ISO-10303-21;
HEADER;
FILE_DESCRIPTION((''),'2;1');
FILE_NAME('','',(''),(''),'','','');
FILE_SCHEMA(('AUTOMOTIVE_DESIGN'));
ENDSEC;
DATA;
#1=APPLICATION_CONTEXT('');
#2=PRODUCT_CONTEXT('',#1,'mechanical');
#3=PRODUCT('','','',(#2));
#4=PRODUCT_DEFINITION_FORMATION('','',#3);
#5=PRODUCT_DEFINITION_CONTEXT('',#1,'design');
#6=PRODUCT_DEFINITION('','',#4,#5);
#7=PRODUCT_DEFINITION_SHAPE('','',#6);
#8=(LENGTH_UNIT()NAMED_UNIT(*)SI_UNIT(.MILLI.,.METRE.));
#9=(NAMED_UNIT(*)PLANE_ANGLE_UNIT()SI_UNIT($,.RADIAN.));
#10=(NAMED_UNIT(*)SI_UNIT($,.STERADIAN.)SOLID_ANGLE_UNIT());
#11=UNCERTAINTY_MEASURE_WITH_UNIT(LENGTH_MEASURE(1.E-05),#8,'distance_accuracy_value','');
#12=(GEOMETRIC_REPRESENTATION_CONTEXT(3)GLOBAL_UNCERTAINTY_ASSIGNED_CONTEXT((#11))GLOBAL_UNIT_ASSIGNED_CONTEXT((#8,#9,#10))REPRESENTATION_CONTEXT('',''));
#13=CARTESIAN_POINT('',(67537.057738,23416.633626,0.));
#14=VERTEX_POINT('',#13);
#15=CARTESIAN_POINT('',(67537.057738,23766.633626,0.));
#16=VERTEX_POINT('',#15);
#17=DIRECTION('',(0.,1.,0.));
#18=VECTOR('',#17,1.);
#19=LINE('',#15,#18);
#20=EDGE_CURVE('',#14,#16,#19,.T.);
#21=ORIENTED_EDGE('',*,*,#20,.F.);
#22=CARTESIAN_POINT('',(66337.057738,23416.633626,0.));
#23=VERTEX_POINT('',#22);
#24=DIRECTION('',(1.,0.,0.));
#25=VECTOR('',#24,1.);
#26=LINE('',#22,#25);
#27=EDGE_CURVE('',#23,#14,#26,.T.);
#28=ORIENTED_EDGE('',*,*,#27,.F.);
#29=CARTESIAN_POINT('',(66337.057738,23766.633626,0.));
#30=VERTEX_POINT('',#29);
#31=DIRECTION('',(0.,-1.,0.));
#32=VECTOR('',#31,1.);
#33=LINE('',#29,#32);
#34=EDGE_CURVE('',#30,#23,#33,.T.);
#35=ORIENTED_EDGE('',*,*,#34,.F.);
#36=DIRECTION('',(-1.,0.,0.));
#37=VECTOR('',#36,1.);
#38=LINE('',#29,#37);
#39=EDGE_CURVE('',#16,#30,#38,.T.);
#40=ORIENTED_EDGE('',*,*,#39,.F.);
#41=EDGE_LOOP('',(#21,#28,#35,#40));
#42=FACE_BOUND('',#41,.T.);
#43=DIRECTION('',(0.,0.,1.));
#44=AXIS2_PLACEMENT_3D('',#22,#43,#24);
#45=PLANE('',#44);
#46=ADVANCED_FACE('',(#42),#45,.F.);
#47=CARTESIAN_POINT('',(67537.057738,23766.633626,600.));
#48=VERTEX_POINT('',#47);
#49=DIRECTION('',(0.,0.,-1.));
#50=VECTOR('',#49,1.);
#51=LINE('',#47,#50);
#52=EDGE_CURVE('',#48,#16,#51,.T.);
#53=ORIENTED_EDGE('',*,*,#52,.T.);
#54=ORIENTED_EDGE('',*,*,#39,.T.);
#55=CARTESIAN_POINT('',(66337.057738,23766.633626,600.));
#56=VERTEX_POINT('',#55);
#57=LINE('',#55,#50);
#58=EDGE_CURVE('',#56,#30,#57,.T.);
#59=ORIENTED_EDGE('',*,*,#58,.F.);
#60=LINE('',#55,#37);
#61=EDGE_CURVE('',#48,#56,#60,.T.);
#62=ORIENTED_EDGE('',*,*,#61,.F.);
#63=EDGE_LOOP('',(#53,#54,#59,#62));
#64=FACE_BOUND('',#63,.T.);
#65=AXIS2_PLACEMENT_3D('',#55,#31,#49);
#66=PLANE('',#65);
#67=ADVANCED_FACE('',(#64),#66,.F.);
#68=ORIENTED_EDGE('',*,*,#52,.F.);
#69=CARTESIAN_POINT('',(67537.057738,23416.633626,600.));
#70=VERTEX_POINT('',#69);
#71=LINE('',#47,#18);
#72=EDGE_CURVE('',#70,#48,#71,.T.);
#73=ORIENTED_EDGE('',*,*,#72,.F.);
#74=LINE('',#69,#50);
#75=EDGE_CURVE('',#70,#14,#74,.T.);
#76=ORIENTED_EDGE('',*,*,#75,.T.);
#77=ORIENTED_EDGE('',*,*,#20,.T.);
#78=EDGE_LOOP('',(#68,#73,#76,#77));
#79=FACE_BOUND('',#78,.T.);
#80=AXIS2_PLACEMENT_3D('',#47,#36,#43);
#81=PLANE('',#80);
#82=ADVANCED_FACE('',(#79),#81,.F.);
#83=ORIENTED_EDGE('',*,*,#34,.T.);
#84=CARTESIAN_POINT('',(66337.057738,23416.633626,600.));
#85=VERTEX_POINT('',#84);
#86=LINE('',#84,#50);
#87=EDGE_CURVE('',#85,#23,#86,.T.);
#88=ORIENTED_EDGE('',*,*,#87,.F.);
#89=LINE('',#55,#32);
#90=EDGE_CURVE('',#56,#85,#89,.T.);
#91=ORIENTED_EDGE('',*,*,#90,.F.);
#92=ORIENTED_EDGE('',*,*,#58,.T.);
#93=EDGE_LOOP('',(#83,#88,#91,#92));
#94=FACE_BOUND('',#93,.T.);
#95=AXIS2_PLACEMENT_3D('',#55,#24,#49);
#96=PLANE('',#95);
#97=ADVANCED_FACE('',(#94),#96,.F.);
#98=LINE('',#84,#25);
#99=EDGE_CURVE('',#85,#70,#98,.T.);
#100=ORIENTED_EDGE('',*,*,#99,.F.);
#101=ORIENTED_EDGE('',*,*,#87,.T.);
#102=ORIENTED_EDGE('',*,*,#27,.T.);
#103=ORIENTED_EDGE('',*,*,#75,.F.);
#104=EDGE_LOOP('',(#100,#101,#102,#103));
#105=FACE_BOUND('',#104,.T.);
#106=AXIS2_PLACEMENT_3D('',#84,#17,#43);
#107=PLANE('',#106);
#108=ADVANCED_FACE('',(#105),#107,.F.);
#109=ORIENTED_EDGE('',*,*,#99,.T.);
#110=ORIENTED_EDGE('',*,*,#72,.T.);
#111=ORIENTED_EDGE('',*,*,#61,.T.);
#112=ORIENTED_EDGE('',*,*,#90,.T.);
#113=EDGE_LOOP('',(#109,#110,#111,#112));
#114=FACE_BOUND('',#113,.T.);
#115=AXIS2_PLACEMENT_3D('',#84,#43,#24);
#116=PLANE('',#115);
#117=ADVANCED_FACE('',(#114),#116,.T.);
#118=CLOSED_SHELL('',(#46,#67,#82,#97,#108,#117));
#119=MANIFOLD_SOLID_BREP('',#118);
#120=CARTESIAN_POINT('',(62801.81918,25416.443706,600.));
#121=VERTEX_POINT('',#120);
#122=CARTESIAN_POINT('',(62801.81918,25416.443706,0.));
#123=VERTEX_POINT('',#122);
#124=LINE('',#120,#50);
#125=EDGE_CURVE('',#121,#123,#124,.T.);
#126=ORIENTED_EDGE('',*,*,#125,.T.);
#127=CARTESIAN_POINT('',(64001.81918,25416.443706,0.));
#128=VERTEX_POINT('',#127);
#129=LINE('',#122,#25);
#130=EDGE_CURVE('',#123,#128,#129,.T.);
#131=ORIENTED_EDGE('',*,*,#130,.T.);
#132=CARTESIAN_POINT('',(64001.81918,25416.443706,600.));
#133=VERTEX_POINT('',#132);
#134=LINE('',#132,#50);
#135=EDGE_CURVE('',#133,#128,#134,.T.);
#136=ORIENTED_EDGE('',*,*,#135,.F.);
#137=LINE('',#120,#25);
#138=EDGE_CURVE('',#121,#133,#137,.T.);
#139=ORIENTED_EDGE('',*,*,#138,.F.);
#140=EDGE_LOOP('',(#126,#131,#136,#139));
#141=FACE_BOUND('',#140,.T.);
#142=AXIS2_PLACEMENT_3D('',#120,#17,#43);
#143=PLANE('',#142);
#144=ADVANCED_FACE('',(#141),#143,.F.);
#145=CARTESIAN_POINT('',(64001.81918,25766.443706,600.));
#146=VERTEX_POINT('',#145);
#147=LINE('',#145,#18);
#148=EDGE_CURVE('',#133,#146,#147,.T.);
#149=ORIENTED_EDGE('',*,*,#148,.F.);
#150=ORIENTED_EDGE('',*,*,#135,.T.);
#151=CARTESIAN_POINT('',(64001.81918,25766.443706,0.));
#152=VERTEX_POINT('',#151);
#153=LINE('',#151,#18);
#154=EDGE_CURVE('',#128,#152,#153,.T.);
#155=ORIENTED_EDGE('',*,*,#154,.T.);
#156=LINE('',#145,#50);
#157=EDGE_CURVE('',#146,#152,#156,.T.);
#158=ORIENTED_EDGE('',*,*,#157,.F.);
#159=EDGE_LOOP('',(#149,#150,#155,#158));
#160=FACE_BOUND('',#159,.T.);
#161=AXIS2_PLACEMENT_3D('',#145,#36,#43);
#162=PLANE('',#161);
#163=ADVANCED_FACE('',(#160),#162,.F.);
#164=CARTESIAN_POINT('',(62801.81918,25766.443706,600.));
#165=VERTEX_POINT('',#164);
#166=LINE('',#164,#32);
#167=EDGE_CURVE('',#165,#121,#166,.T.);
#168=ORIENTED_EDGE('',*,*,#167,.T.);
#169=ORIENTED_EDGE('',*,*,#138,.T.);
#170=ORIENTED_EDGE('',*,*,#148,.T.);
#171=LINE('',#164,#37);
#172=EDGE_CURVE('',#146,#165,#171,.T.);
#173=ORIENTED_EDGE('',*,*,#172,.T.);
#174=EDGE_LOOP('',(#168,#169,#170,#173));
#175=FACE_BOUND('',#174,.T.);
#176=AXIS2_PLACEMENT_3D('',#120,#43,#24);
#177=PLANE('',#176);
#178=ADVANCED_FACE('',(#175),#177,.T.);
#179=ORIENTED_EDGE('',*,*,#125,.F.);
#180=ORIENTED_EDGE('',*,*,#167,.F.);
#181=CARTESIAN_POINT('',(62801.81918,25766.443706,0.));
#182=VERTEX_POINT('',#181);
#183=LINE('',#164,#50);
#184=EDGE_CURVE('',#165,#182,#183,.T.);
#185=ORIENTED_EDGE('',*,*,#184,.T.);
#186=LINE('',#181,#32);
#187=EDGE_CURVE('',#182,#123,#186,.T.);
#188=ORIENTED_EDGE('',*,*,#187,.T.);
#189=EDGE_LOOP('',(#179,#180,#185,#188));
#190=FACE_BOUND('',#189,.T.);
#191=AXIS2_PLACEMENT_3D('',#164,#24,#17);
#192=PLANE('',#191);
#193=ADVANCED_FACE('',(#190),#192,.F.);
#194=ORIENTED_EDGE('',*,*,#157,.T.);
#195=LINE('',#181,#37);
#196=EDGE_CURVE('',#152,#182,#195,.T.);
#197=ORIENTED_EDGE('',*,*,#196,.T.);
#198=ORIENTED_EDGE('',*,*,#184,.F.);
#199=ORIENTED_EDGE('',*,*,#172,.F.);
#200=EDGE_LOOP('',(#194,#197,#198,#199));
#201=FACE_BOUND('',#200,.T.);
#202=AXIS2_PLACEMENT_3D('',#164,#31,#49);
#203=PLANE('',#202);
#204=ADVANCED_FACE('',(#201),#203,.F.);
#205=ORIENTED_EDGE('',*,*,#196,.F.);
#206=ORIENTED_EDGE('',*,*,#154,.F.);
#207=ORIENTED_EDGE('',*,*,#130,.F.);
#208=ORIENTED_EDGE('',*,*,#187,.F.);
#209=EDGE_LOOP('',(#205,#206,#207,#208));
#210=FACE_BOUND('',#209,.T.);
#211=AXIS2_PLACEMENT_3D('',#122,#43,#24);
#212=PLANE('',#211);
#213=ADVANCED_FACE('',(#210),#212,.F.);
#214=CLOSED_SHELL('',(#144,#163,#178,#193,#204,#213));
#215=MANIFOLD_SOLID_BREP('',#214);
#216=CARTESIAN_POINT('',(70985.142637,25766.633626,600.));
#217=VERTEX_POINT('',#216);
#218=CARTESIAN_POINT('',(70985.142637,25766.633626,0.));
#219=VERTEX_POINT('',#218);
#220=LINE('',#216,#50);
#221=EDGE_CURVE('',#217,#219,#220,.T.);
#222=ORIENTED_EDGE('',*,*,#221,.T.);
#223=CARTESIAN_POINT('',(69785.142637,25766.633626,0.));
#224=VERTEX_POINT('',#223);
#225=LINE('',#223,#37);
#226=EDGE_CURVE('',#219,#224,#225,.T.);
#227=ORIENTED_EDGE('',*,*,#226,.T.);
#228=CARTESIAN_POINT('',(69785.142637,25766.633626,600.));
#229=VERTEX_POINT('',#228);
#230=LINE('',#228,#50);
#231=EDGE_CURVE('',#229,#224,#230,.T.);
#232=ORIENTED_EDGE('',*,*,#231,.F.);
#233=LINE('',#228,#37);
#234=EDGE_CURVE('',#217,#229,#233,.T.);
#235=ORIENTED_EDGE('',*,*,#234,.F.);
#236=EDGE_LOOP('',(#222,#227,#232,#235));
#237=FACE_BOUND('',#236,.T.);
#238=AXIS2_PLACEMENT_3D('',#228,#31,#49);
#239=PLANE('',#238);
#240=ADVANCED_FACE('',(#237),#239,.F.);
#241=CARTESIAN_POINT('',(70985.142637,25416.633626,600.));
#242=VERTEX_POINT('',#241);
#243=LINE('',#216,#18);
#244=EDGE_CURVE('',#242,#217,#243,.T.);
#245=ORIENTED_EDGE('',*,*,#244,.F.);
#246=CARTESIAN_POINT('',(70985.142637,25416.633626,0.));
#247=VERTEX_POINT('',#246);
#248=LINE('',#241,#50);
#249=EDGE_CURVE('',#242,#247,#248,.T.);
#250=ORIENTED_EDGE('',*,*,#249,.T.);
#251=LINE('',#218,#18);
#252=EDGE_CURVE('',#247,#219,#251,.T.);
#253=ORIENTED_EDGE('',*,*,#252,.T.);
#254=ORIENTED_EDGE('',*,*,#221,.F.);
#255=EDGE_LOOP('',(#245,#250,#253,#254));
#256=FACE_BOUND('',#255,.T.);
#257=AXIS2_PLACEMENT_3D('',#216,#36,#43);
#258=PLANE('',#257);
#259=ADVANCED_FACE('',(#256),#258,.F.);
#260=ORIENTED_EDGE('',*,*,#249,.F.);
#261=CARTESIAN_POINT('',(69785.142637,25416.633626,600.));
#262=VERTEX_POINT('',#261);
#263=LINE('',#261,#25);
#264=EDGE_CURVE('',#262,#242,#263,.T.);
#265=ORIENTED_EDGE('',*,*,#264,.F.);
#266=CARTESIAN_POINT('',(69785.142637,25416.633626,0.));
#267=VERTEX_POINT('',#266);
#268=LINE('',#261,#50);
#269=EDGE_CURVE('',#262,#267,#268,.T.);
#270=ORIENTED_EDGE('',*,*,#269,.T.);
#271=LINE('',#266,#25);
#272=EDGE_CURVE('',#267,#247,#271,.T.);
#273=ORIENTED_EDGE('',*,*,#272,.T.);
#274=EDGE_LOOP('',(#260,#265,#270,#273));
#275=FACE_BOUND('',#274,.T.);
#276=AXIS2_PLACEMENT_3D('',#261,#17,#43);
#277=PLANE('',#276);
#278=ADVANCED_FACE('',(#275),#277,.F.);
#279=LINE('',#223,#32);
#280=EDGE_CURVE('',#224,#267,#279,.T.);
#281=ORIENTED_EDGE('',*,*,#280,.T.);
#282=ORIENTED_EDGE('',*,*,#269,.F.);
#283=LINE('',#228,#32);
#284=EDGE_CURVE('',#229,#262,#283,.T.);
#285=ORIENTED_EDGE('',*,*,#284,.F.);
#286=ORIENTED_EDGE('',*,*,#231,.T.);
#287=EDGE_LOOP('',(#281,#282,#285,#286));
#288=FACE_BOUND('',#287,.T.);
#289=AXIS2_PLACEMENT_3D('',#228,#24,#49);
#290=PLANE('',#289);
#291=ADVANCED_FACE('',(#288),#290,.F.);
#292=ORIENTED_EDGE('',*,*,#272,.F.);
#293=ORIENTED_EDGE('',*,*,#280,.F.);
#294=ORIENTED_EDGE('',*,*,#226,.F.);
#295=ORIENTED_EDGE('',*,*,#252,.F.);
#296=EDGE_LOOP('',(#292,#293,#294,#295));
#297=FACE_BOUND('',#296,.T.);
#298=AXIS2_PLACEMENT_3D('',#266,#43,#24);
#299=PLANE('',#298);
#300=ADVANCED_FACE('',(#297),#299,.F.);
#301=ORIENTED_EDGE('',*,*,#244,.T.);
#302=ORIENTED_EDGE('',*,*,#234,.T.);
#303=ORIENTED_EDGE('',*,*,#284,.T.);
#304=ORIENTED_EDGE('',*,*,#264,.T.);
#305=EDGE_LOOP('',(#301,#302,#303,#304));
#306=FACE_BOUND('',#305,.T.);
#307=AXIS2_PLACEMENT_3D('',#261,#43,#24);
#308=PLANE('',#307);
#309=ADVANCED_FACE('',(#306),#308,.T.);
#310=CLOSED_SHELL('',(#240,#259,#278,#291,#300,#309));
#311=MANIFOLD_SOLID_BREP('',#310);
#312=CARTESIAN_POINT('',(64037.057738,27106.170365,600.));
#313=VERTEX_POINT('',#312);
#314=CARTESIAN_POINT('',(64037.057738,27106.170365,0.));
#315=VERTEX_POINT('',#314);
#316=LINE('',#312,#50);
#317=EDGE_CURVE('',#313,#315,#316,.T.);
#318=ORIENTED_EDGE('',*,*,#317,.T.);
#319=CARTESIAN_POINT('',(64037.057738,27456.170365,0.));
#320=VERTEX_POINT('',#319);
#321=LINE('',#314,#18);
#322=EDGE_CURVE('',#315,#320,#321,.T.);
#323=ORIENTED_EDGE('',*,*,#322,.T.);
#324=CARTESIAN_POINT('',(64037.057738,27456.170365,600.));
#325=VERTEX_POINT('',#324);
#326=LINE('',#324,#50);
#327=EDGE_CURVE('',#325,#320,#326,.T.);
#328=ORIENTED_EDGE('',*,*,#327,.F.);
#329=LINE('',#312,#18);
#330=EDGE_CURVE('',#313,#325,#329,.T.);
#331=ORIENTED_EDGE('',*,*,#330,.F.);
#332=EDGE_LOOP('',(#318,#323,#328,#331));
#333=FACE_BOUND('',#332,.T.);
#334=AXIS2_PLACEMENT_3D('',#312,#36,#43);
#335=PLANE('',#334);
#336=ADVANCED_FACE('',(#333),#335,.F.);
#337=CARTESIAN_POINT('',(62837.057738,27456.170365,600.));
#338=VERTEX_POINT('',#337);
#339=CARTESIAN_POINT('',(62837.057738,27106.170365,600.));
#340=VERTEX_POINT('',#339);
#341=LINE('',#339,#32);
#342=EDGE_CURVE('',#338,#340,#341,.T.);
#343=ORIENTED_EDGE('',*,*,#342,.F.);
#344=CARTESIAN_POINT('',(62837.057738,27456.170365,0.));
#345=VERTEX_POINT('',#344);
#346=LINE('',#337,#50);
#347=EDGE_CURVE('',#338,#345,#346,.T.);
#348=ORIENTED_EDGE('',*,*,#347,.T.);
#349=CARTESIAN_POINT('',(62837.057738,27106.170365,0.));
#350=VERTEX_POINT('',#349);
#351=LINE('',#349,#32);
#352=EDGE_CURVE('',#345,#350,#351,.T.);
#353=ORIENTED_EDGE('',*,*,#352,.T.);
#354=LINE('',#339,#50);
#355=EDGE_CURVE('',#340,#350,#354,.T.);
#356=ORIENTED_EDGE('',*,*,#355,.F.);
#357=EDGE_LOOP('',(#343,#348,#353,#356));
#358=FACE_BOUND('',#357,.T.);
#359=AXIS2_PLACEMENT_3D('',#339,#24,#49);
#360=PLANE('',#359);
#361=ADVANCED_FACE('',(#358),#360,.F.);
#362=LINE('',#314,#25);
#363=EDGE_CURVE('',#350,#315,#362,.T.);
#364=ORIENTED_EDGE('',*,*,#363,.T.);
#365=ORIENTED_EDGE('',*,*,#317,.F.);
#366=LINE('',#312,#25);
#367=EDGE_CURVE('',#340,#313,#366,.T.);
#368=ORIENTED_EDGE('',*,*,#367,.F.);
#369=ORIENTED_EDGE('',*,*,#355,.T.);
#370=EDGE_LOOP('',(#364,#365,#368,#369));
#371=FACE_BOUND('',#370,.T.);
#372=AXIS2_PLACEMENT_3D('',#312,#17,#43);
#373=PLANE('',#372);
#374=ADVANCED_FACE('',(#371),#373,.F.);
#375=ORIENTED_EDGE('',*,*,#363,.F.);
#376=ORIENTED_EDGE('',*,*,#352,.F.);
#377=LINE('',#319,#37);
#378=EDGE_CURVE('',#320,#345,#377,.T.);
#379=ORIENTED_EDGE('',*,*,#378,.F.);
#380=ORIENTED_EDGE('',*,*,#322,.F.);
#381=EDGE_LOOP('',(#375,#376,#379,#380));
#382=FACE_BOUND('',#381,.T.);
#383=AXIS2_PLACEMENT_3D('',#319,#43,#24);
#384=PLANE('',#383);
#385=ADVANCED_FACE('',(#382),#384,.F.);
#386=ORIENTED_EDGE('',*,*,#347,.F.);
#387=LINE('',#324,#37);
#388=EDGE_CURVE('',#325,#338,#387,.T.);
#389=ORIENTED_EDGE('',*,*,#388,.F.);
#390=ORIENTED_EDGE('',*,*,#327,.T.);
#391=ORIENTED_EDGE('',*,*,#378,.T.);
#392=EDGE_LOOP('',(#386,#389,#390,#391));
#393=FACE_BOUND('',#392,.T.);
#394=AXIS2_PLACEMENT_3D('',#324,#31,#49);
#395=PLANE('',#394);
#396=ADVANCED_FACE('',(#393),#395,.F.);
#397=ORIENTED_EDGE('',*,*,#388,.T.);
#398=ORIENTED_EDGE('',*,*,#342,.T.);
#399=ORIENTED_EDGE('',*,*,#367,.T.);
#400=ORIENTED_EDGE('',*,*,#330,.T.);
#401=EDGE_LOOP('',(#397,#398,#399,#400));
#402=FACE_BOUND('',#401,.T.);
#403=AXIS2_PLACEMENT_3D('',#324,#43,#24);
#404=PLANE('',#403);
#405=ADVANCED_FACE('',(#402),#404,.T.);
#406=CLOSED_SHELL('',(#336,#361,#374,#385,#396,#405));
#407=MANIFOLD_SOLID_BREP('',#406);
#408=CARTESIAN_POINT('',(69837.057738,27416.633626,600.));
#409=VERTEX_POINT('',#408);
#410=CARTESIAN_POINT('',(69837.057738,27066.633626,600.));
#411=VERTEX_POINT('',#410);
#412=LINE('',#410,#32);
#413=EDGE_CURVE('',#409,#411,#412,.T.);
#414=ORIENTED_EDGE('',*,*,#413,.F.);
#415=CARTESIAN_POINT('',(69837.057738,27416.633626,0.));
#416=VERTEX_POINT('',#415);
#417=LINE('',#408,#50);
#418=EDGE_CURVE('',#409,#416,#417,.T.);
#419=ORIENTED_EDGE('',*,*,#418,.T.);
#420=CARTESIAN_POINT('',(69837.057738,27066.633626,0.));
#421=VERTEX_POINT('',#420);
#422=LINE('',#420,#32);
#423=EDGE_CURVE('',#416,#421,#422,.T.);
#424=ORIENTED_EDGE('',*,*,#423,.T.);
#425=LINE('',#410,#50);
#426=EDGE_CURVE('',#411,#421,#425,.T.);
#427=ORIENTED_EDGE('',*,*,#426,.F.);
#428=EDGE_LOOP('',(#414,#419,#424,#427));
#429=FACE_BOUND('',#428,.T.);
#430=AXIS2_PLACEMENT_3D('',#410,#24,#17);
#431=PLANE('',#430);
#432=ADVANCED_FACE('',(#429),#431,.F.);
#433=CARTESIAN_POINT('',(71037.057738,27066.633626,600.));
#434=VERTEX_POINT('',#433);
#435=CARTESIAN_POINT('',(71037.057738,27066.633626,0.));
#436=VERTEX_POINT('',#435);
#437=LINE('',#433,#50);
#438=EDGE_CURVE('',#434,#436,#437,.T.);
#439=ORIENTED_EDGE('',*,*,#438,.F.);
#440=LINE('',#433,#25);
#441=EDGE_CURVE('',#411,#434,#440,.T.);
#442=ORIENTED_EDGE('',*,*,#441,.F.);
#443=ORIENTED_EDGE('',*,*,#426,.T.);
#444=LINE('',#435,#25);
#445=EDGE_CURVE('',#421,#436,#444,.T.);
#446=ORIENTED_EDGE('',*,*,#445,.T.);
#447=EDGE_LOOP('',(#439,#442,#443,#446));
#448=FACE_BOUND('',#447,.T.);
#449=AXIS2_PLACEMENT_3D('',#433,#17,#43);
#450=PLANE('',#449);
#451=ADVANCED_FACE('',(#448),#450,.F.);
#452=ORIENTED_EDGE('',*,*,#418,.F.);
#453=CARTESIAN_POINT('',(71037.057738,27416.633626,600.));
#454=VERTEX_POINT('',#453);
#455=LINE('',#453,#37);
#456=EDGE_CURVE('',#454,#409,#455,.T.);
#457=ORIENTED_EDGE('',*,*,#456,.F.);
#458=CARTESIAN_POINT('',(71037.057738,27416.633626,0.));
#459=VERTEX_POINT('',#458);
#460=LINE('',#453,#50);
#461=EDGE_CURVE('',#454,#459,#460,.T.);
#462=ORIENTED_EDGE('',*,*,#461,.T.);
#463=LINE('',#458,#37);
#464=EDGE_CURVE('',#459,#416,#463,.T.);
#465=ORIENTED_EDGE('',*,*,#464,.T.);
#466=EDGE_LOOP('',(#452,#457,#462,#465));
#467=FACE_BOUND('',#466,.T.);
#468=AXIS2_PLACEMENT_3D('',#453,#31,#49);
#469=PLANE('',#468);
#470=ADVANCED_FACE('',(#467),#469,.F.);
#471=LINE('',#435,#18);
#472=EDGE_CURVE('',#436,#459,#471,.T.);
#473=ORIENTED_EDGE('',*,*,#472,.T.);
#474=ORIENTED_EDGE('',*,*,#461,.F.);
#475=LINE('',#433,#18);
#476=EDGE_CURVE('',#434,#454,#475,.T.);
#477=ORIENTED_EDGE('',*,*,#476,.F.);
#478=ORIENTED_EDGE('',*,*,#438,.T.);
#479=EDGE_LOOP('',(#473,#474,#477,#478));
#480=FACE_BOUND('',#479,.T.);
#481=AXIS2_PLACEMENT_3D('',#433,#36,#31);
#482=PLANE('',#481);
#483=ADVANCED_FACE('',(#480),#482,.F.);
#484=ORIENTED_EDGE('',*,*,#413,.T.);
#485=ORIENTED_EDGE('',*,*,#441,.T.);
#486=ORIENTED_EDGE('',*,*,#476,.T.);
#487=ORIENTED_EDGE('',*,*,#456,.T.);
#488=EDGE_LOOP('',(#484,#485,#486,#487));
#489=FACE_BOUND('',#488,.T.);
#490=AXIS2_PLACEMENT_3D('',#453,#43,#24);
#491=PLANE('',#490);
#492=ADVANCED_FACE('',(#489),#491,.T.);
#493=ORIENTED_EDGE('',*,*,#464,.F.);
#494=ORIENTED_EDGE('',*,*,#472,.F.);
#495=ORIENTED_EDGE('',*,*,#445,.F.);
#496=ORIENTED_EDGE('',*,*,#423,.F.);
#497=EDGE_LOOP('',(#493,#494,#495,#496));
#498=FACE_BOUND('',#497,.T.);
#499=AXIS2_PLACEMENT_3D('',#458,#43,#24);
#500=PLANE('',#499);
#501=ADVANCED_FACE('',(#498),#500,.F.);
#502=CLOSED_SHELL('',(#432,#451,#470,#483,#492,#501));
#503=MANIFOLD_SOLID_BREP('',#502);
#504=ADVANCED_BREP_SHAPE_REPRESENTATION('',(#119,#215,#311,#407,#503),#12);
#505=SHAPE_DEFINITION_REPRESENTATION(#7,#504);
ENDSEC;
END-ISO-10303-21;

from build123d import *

# Parameters (mm, degrees)
SKETCH1_W        = 1200
SKETCH1_H        = 350
EXTRUDE1_DEPTH   = 600
EXTRUDE1_2_DEPTH = 600
EXTRUDE1_3_DEPTH = 600
EXTRUDE1_4_DEPTH = 600
EXTRUDE1_5_DEPTH = 600


with BuildPart() as part:
    # Sketch1 → Extrude1 (new body)
    with BuildSketch(Plane.XY):
        with Locations((66937.057737679, 23591.633625626)):
            Rectangle(SKETCH1_W, SKETCH1_H)
    extrude(amount=EXTRUDE1_DEPTH)


with BuildPart() as body_2:
    # Sketch1 → Extrude1 2 (new body)
    with BuildSketch(Plane.XY):
        with Locations((70385.142636984, 25591.633625626)):
            Rectangle(SKETCH1_W, SKETCH1_H)
    extrude(amount=EXTRUDE1_2_DEPTH)


with BuildPart() as body_3:
    # Sketch1 → Extrude1 3 (new body)
    with BuildSketch(Plane.XY):
        with Locations((70437.057737679, 27241.633625626)):
            Rectangle(SKETCH1_W, SKETCH1_H)
    extrude(amount=EXTRUDE1_3_DEPTH)


with BuildPart() as body_4:
    # Sketch1 → Extrude1 4 (new body)
    with BuildSketch(Plane.XY):
        with Locations((63437.057737679, 27281.170364801)):
            Rectangle(SKETCH1_W, SKETCH1_H)
    extrude(amount=EXTRUDE1_4_DEPTH)


with BuildPart() as body_5:
    # Sketch1 → Extrude1 5 (new body)
    with BuildSketch(Plane.XY):
        with Locations((63401.819180271, 25591.443706088)):
            Rectangle(SKETCH1_W, SKETCH1_H)
    extrude(amount=EXTRUDE1_5_DEPTH)


solid = Compound([part.part, body_2.part, body_3.part, body_4.part, body_5.part])
